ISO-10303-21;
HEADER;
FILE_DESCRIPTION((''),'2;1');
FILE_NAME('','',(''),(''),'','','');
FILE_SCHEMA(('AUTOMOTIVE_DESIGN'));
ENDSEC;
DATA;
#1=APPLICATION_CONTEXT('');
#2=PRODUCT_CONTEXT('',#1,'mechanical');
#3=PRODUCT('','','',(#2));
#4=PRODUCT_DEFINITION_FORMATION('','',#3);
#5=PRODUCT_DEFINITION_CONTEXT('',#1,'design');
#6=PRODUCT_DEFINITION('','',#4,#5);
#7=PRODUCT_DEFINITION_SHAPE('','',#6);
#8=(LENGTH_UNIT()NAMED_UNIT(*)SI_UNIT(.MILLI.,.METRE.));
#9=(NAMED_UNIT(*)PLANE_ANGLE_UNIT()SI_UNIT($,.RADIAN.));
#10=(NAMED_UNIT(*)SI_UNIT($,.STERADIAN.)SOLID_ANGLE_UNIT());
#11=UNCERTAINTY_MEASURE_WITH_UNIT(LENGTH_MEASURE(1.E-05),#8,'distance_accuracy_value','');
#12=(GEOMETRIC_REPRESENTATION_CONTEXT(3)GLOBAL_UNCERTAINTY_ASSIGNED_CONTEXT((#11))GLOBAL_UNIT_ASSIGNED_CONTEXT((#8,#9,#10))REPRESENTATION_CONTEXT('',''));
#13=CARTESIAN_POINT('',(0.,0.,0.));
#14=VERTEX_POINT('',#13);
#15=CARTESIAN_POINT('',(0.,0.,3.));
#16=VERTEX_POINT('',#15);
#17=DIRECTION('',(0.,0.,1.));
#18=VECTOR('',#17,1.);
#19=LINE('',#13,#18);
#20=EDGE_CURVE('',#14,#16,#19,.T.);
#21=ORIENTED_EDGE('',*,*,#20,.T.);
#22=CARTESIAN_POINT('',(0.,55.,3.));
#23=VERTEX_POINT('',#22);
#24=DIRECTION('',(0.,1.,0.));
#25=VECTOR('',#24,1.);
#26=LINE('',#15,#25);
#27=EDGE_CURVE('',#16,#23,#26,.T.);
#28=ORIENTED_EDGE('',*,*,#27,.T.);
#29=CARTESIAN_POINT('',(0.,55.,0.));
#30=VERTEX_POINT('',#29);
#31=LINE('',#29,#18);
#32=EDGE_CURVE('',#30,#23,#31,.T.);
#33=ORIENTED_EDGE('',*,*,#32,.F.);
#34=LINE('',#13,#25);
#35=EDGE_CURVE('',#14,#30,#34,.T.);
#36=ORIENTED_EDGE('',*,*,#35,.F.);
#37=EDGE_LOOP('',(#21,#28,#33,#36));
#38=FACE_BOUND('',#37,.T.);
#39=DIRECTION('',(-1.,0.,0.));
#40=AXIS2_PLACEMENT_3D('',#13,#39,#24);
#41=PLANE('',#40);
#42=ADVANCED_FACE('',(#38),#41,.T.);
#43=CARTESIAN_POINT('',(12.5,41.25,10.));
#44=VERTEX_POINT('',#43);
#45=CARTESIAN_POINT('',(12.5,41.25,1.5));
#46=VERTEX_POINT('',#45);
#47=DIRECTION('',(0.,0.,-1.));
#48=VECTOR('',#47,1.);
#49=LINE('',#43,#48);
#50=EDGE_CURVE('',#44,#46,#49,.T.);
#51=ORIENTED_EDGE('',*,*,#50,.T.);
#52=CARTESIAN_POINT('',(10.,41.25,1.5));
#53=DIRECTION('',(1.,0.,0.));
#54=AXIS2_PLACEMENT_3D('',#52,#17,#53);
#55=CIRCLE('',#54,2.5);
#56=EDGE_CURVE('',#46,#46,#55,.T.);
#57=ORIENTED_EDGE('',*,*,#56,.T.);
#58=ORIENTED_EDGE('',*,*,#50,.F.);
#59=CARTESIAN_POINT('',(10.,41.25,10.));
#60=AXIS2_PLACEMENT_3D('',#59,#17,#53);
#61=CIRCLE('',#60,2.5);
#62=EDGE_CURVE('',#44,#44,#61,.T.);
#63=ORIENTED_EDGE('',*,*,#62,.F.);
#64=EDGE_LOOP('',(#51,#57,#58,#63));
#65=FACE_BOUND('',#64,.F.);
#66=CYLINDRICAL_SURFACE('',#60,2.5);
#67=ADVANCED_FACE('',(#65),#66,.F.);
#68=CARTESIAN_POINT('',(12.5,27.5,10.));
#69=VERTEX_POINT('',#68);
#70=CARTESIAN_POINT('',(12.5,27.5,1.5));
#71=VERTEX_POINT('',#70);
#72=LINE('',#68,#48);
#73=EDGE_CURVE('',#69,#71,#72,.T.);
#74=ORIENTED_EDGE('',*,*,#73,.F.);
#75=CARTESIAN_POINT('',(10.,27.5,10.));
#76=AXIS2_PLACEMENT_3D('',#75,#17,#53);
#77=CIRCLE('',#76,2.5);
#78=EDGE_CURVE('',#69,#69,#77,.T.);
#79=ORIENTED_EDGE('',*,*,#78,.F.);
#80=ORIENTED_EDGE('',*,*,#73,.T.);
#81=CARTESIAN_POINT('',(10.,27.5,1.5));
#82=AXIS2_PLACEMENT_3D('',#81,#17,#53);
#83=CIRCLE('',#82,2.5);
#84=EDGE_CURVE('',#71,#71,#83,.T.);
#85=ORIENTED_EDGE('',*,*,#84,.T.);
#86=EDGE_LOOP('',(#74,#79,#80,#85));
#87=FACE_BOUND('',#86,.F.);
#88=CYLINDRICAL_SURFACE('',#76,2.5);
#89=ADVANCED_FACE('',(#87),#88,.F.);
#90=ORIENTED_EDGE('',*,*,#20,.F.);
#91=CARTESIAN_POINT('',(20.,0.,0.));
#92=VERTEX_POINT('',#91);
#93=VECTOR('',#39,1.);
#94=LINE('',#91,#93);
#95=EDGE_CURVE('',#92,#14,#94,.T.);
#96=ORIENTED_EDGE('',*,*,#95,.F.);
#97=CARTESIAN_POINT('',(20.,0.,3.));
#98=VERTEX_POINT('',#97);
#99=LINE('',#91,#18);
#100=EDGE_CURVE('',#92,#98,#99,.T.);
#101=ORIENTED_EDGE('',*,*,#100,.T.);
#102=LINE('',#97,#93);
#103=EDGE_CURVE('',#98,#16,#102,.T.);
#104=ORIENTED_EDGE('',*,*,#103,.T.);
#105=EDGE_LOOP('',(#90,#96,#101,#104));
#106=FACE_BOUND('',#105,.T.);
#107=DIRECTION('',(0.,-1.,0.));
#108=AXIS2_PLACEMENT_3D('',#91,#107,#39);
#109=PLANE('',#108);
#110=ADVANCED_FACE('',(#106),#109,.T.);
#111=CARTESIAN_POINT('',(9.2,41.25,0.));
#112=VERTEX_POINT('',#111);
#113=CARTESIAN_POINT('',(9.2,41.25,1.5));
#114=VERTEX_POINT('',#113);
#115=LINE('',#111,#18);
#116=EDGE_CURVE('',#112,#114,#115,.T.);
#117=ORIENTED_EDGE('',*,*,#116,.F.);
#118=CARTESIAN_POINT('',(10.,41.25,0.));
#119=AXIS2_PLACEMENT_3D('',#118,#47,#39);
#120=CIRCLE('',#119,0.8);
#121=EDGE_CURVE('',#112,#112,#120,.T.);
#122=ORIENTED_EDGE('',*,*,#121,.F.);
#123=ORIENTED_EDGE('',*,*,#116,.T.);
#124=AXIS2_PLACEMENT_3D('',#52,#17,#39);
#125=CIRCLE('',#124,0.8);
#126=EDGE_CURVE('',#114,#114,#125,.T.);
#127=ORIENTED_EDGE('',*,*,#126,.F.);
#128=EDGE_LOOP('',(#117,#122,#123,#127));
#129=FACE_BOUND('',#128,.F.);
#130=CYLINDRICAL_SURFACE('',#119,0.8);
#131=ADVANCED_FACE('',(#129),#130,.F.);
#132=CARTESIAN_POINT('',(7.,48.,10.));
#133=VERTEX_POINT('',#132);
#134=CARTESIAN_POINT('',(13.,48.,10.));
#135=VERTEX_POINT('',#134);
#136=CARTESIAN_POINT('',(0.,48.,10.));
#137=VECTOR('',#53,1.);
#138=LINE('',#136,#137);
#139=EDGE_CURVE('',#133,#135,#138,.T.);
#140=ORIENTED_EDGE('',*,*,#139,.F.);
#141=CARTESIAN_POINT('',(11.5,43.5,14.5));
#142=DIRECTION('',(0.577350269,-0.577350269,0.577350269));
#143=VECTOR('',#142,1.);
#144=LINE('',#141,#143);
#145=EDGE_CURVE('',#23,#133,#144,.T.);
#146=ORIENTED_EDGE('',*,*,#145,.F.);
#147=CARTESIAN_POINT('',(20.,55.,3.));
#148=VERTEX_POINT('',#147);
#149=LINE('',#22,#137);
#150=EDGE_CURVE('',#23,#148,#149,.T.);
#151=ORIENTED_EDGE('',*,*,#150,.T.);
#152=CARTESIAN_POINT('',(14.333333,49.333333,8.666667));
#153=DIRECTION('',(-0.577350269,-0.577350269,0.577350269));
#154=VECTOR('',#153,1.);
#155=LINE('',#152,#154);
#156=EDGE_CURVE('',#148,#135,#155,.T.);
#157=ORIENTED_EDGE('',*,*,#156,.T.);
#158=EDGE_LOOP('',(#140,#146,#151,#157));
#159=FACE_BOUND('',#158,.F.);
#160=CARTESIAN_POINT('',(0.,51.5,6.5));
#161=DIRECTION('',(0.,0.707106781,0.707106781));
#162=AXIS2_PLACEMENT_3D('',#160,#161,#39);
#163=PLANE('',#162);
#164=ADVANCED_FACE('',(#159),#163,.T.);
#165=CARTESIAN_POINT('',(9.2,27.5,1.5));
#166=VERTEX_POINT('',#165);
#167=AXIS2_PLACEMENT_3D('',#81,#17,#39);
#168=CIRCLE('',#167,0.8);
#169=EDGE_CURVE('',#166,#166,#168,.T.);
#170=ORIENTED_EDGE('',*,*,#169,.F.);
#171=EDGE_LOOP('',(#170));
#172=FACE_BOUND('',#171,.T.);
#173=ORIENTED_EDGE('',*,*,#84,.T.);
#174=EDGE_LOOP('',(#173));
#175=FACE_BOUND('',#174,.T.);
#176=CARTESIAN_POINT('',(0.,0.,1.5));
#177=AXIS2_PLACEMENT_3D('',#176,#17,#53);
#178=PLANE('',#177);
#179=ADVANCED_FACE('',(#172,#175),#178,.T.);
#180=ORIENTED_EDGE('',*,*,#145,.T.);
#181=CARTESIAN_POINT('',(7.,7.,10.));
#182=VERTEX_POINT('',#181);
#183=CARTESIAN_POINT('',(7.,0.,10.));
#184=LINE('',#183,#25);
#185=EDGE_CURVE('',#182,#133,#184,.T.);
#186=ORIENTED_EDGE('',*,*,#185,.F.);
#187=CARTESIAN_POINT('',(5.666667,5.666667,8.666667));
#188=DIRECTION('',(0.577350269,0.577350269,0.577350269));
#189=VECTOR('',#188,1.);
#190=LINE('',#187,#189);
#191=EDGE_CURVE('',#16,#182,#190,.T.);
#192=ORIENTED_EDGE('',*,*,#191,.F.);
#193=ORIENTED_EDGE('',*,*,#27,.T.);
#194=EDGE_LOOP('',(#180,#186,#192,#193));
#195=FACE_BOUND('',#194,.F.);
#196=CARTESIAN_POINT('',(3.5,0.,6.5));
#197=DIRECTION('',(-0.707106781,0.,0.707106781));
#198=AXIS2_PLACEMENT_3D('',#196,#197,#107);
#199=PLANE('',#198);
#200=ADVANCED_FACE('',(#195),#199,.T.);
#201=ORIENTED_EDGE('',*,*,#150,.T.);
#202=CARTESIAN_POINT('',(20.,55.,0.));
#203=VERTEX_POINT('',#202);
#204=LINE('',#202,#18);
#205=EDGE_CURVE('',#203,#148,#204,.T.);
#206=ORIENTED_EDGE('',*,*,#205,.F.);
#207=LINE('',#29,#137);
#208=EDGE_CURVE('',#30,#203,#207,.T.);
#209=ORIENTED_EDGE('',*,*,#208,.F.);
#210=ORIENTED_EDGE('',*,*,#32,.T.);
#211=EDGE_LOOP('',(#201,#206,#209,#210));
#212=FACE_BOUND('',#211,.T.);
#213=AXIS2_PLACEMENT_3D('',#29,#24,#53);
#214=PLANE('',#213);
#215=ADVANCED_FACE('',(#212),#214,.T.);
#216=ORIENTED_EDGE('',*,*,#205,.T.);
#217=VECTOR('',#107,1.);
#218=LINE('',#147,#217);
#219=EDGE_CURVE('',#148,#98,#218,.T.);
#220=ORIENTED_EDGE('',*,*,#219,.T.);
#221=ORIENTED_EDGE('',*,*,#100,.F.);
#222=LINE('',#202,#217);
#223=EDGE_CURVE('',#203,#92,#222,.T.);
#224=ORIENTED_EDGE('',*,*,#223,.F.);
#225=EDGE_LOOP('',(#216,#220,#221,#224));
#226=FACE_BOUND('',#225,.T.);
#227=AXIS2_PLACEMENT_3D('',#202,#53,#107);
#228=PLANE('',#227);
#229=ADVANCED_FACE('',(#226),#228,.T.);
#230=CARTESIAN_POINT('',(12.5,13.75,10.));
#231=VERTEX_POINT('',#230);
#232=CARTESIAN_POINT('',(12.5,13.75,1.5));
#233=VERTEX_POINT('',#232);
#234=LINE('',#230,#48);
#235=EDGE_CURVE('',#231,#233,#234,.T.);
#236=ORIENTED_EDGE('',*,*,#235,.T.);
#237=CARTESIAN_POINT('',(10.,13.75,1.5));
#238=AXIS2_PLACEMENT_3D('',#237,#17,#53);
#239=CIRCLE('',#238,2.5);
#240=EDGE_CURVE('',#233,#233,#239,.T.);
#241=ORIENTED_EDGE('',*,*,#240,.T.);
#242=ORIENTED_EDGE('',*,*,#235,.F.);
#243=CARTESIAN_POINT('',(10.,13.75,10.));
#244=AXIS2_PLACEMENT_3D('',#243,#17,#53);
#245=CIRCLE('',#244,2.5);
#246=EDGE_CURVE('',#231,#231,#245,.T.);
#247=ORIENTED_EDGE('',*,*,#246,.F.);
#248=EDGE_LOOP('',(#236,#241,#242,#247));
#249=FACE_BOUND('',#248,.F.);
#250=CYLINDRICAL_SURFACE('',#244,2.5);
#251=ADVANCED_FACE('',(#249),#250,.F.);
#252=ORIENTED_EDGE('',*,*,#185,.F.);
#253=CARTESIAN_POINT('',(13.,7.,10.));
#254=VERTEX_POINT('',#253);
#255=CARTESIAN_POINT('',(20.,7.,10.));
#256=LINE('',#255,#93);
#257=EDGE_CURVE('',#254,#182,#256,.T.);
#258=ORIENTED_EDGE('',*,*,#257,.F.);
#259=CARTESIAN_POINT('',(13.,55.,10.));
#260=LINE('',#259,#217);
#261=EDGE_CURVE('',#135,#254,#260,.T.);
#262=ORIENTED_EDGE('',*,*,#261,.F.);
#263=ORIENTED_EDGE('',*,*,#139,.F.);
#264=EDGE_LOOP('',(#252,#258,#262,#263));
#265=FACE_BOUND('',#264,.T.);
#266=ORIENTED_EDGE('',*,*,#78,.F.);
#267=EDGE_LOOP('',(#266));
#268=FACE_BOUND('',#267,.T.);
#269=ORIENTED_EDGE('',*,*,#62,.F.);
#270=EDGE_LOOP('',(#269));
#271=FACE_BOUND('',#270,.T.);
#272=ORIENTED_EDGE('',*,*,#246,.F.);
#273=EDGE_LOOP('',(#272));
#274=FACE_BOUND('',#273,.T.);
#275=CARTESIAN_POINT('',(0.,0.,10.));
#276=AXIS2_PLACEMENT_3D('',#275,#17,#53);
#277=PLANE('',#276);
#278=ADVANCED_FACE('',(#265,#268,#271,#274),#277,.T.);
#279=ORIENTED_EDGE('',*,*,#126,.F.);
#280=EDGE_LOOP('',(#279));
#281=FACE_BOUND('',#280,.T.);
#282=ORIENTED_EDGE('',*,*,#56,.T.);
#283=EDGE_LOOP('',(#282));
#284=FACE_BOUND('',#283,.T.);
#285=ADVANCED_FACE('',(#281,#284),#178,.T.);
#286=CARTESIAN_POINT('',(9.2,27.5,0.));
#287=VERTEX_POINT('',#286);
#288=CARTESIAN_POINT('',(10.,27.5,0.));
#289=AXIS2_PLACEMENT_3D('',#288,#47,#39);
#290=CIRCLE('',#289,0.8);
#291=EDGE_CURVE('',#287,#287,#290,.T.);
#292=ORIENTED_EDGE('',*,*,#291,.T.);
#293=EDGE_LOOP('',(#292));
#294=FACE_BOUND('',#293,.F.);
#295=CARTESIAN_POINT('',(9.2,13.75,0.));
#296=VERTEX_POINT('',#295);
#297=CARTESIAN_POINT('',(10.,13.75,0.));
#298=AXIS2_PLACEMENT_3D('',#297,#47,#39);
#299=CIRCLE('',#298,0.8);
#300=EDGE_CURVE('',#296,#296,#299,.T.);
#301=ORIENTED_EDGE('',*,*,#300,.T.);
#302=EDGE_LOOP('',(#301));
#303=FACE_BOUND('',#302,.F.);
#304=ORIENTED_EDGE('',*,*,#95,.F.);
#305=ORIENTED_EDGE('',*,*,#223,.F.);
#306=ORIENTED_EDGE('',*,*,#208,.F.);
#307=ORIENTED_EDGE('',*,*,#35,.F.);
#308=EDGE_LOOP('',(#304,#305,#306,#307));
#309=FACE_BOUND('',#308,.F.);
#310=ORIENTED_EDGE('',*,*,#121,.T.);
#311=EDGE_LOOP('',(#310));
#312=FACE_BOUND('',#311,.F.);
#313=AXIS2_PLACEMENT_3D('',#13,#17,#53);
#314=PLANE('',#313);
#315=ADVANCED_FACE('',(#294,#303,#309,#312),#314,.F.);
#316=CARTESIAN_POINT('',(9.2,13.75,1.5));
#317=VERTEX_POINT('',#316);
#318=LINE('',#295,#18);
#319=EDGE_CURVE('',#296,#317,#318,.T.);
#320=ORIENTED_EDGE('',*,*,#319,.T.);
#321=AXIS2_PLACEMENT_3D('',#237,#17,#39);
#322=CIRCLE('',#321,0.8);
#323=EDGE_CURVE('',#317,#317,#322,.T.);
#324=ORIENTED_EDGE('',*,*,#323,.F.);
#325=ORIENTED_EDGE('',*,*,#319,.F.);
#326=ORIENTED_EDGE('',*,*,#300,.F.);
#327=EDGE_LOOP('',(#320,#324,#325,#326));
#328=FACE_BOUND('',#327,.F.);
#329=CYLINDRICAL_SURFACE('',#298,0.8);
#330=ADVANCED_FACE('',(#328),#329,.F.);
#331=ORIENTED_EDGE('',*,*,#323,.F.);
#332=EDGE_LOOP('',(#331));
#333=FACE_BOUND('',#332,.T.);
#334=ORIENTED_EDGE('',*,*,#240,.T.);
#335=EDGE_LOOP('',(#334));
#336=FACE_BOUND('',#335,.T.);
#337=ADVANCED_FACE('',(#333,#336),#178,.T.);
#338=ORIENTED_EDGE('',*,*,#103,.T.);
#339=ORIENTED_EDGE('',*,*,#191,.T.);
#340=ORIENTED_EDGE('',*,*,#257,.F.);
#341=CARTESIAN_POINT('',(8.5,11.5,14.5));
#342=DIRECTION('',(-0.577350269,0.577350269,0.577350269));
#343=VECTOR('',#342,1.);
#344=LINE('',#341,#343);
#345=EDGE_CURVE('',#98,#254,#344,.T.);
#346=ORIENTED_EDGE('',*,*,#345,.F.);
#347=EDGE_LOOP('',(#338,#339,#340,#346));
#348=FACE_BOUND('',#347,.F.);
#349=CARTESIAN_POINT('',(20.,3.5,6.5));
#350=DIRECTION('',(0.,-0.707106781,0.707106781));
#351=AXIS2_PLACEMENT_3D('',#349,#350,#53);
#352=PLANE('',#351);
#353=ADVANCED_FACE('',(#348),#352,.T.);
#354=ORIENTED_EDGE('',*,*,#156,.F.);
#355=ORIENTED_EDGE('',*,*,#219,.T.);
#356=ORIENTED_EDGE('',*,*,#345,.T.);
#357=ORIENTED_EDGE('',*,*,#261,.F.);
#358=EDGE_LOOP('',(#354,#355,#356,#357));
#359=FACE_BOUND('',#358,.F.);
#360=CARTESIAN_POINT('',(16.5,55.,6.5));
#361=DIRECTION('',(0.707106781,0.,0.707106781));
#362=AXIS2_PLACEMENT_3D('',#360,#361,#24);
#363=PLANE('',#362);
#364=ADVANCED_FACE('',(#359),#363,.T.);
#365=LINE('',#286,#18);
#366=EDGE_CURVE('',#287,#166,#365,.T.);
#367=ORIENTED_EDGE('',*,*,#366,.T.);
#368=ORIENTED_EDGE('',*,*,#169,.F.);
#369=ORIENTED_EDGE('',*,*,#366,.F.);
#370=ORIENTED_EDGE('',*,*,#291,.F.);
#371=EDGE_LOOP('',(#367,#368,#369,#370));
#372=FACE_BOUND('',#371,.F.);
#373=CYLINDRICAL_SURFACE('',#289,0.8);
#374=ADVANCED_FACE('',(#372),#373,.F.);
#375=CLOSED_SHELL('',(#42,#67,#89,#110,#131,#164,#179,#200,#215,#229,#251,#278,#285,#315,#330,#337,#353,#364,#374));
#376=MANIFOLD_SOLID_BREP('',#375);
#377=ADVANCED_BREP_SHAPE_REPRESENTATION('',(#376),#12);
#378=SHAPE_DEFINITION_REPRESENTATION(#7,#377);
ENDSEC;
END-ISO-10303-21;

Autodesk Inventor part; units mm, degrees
ref_plane "YZ Plane" through (0, 0, 0) normal (1, 0, 0) x (0, 1, 0)
ref_plane "XZ Plane" through (0, 0, 0) normal (0, 1, 0) x (-1, 0, 0)
ref_plane "XY Plane" through (0, 0, 0) normal (0, 0, 1) x (1, 0, 0)
sketch "スケッチ1" plane through (0, 0, 0) normal (0, 0, 1) x (1, 0, 0)
  line L0 (0, 55) -> (20, 55)
  line L1 (20, 55) -> (20, 0)
  line L2 (20, 0) -> (0, 0)
  line L3 (0, 0) -> (0, 55)
  dimension "d0" = 20
  dimension "d1" = 55
extrude "押し出し1" add sketch "スケッチ1" along normal blind 10
chamfer "面取り1" distance 7 angle 45 4 edges at (20, 27.5, 10) (0, 27.5, 10) (10, 55, 10) (10, 0, 10)
sketch "スケッチ2" plane through (0, 0, 0) normal (0, 0, -1) x (-1, 0, 0)
  line L0 (0, 0) -> (-20, 0) projected
  line L1 (0, 55) -> (0, 0) projected
  line L2 (-20, 55) -> (0, 55) projected
  line L3 (-20, 0) -> (-20, 55) projected
  circle A0 centre (-10, 41.25) radius 0.8
  circle A1 centre (-10, 13.75) radius 0.8
  circle A2 centre (-10, 27.5) radius 0.8
  point P0 (-10, 55)
  dimension "d7" = 1.6
  dimension "d8" = 1.6
  dimension "d9" = 1.6
  dimension "d10" = 13.75
  dimension "d11" = 13.75
  dimension "d12" = 13.75
  dimension "d13" = 13.75
extrude "押し出し2" cut sketch "スケッチ2" against normal through all contours A0 | A1 | A2
sketch "スケッチ3" plane through (0, 0, 10) normal (0, 0, 1) x (1, 0, 0)
  circle A0 centre (10, 41.25) radius 0.8 projected
  circle A1 centre (10, 27.5) radius 0.8 projected
  circle A2 centre (10, 13.75) radius 0.8 projected
  circle A3 centre (10, 27.5) radius 0.8 projected
  circle A4 centre (10, 41.25) radius 0.8 projected
  line L0 (7, 7) -> (7, 48) projected
  line L1 (13, 7) -> (7, 7) projected
  line L2 (13, 48) -> (13, 7) projected
  line L3 (7, 48) -> (13, 48) projected
  circle A5 centre (10, 41.25) radius 2.5
  circle A6 centre (10, 27.5) radius 2.5
  circle A7 centre (10, 13.75) radius 2.5
  point P0 (0, 0)
  dimension "d16" = 5
  dimension "d17" = 5
  dimension "d18" = 5
extrude "押し出し3" cut sketch "スケッチ3" against normal blind 8.5 contours A5 | A6 | A7
equation "\"d10\" = d13"
equation "\"d11\" = d13"
equation "\"d12\" = d13"
properties part number "shield"
